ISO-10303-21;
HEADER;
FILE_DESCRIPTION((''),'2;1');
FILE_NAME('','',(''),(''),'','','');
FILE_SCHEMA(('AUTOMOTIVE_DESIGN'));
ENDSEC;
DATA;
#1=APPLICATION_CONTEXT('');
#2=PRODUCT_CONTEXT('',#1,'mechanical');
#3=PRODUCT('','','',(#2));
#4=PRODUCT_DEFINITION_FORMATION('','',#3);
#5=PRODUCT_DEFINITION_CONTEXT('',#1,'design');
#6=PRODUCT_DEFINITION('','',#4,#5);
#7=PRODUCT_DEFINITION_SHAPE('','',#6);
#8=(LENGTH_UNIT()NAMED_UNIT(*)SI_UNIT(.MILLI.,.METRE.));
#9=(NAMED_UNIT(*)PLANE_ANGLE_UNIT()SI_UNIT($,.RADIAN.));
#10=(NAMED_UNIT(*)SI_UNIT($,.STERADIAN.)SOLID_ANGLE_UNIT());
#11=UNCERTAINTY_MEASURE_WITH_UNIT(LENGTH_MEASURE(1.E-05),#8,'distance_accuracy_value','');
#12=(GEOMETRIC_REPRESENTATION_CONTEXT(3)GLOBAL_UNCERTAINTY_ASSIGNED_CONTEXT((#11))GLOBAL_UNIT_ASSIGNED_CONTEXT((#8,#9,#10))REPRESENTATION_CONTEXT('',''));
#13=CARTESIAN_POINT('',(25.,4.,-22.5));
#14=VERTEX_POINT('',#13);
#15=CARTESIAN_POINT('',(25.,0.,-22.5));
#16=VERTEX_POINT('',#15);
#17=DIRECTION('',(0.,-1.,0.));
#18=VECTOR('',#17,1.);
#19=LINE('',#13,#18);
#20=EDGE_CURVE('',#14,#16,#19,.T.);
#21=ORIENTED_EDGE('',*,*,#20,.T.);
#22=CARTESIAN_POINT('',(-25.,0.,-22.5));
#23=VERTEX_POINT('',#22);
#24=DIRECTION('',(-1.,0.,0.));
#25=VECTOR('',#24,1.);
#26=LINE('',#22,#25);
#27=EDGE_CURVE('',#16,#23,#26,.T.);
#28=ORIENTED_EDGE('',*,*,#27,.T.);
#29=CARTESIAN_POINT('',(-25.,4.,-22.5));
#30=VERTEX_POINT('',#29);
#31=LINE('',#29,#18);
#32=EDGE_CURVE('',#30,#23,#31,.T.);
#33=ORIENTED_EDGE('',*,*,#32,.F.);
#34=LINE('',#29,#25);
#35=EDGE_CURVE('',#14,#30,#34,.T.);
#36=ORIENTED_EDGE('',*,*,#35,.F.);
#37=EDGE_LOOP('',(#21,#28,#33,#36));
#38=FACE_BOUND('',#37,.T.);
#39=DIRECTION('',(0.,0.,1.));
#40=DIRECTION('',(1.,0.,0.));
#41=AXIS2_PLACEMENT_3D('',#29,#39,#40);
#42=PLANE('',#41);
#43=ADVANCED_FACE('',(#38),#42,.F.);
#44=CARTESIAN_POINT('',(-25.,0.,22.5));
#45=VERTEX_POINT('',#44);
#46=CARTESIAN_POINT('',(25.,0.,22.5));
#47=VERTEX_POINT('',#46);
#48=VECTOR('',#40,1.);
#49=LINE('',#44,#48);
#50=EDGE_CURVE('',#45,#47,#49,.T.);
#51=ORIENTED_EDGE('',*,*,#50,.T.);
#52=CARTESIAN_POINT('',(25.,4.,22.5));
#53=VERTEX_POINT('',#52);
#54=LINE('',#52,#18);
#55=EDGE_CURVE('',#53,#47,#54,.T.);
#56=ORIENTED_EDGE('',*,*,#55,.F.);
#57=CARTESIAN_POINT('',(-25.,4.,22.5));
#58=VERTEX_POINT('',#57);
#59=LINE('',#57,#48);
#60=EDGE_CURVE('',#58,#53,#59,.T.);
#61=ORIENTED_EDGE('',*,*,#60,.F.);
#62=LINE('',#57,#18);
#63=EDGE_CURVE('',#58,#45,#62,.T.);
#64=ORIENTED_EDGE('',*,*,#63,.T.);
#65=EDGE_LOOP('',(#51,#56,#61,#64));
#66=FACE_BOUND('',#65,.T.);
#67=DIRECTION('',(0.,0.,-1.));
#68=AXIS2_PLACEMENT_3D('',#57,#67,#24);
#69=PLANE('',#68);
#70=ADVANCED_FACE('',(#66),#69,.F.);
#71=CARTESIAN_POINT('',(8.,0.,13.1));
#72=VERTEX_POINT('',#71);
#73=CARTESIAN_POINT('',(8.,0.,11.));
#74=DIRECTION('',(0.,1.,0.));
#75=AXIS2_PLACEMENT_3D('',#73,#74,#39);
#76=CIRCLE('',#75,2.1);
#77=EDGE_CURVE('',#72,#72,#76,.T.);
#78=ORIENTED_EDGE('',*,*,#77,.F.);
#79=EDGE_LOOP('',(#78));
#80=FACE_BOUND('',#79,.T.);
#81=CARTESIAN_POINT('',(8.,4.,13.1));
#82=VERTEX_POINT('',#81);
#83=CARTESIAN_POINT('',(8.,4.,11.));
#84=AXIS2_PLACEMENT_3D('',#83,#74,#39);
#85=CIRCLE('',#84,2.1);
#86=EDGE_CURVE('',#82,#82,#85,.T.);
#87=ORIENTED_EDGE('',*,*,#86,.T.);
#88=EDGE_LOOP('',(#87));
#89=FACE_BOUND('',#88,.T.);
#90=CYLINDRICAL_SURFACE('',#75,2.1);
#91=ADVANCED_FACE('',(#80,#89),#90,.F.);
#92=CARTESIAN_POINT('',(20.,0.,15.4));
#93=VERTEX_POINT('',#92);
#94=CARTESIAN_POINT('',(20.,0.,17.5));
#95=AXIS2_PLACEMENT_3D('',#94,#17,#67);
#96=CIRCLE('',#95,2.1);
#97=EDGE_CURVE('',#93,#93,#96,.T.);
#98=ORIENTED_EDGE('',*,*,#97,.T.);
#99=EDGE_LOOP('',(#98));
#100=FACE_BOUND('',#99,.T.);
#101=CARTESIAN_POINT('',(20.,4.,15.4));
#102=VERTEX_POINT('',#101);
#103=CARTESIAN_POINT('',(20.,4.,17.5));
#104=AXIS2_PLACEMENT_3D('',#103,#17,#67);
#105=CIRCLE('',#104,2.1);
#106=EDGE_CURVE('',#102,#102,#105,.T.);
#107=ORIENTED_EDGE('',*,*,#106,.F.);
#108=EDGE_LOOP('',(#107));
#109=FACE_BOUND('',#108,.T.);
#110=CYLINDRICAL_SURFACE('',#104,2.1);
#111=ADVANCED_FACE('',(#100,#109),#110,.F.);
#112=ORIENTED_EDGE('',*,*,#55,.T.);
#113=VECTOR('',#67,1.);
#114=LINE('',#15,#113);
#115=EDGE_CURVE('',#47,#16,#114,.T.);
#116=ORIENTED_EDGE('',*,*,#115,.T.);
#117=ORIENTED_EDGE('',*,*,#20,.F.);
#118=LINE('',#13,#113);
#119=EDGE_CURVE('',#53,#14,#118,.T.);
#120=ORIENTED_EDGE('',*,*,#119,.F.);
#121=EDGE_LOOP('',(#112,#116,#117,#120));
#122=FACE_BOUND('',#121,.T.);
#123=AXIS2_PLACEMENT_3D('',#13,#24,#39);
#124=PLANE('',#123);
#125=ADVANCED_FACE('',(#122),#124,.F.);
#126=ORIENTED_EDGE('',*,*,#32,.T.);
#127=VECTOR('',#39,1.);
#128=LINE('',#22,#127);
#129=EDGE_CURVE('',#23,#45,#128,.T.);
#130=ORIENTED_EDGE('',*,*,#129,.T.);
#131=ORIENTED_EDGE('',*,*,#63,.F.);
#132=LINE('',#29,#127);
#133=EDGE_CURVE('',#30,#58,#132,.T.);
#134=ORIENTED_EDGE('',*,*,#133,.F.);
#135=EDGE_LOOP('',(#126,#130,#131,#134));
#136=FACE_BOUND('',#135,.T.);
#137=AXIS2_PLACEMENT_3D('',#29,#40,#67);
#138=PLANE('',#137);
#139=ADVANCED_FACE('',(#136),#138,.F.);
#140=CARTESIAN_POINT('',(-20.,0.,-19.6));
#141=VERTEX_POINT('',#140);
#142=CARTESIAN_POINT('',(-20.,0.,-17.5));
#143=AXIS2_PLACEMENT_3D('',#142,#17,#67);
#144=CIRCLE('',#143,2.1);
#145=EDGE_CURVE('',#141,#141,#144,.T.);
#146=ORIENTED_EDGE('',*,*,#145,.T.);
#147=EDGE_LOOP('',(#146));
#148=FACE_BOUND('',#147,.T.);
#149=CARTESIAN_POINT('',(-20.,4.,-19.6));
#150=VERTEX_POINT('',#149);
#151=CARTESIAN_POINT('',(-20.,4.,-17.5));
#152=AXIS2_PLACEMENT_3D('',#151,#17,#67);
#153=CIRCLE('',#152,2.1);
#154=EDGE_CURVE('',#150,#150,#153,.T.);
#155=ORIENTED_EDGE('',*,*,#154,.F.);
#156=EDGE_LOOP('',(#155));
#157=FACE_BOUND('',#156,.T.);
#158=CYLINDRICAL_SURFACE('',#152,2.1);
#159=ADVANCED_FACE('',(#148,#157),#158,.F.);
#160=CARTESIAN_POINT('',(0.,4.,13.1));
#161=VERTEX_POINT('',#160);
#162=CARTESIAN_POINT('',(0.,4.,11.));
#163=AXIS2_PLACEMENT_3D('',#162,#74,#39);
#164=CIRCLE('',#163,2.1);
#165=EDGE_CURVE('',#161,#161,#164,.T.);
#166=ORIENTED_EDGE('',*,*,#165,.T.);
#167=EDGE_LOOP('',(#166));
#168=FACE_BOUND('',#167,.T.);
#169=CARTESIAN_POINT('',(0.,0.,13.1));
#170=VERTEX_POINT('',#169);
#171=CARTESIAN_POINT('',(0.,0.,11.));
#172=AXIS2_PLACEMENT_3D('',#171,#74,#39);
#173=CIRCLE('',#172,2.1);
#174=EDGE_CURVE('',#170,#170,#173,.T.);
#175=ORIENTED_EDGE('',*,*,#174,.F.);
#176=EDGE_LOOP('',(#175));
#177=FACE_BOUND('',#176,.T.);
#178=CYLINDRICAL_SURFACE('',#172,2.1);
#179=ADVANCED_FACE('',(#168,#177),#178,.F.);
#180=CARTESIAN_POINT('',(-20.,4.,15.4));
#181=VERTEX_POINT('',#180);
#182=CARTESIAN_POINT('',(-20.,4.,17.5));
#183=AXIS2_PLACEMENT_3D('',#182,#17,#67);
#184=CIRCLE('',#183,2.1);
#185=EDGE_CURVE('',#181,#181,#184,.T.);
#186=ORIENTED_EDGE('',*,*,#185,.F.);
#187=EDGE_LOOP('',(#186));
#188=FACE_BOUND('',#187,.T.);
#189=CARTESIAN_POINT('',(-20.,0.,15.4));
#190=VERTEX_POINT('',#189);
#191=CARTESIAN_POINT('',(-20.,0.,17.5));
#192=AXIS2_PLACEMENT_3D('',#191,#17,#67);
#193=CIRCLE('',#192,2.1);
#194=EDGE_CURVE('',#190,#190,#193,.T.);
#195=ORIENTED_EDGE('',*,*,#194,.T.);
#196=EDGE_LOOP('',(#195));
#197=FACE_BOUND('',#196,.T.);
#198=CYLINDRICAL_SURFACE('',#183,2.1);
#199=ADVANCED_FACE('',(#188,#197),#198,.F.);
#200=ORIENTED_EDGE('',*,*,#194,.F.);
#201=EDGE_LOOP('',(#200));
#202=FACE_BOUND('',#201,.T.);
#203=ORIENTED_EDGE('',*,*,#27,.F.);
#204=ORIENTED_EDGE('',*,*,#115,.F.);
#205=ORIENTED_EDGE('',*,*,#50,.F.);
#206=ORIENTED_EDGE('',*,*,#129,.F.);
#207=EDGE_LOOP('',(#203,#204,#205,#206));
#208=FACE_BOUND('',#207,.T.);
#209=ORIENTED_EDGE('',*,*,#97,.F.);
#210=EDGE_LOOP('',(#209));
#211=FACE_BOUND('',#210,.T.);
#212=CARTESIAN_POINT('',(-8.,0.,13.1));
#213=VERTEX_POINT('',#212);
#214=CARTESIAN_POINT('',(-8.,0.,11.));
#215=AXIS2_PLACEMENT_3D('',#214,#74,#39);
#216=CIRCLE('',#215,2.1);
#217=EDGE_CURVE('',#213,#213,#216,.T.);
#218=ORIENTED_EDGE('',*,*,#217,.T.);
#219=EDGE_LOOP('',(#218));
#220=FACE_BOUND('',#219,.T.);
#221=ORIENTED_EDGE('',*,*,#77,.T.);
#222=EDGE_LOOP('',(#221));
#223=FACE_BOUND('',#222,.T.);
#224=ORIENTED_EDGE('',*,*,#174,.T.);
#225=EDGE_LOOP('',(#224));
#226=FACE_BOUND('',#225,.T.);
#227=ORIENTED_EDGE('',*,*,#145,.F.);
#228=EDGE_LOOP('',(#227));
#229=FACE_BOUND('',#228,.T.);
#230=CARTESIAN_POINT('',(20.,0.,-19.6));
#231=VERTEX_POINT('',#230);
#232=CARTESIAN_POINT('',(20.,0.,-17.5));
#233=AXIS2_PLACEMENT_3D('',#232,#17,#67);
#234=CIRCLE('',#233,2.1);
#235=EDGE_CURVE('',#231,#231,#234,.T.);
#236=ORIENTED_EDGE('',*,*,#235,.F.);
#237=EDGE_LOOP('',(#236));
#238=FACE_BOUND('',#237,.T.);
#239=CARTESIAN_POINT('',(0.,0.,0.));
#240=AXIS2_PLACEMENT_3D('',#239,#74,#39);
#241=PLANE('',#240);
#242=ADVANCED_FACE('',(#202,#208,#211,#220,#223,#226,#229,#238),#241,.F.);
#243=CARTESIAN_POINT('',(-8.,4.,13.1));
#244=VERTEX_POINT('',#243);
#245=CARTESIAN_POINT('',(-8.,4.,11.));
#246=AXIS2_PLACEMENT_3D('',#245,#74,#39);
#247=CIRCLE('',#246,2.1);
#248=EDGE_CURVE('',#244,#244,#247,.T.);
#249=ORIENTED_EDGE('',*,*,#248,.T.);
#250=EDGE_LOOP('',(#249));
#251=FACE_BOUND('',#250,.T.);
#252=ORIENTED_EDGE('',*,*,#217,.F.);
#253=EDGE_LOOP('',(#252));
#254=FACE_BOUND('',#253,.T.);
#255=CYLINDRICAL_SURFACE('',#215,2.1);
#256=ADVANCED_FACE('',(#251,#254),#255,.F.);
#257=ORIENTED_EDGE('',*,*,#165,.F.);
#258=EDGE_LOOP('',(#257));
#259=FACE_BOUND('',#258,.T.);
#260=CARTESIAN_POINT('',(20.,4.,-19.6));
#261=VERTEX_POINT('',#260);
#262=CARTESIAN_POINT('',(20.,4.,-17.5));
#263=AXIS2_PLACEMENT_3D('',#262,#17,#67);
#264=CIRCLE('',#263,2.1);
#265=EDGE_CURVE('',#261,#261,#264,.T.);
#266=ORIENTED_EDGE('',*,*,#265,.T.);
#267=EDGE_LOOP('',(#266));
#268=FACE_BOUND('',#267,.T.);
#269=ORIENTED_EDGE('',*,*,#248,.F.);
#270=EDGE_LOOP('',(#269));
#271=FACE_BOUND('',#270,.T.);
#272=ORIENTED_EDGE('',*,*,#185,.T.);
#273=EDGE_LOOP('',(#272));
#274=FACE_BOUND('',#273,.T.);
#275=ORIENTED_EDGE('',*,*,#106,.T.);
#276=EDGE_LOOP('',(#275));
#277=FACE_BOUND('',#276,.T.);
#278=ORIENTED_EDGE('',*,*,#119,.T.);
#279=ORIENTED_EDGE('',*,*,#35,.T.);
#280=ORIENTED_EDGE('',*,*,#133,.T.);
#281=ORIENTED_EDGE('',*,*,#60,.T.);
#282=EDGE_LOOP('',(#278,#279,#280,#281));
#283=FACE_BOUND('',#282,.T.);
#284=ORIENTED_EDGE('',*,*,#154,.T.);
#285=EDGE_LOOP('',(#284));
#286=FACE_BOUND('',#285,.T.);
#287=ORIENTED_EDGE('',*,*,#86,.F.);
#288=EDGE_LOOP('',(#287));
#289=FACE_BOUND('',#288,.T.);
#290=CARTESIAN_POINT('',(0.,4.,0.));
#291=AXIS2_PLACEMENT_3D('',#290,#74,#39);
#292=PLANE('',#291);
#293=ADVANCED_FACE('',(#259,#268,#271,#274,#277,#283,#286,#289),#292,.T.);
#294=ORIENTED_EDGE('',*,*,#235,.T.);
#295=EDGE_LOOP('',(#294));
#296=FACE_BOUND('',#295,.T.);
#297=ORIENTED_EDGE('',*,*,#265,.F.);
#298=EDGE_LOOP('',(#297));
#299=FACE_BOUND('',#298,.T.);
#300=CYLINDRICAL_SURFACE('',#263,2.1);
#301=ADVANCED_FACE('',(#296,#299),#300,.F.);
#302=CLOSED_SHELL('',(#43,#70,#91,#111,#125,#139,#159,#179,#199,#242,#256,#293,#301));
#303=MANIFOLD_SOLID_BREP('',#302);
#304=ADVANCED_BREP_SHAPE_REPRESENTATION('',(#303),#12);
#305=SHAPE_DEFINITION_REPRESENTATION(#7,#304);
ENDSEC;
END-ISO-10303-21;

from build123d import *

# Parameters (mm, degrees)
SKETCH_1_W          = 50
SKETCH_1_H          = 45
EXTRUDE_1_DEPTH     = 4
SKETCH_2_R          = 2.1
CUT_EXTRUDE_1_DEPTH = 5
SKETCH_5_R          = 2.1
CUT_EXTRUDE_4_DEPTH = 5


with BuildPart() as part:
    # 草图1 → 凸台-拉伸1 (new body)
    with BuildSketch(Plane(origin=(0, 0, 0), x_dir=(1, 0, 0), z_dir=(0, 1, 0))):
        Rectangle(SKETCH_1_W, SKETCH_1_H)
    extrude(amount=EXTRUDE_1_DEPTH)

    # 草图2 → 切除-拉伸1 (cut, through all)
    with BuildSketch(Plane(origin=(0, 4, 0), x_dir=(1, 0, 0), z_dir=(0, 1, 0))):
        with Locations((0, -11)):
            Circle(SKETCH_2_R)
        with Locations((8, -11)):
            Circle(SKETCH_2_R)
        with Locations((-8, -11)):
            Circle(SKETCH_2_R)
    extrude(amount=-CUT_EXTRUDE_1_DEPTH, mode=Mode.SUBTRACT)

    # 草图5 → 切除-拉伸4 (cut, through all)
    with BuildSketch(Plane(origin=(0, 0, 0), x_dir=(-1, 0, 0), z_dir=(0, -1, 0))):
        with Locations((20, -17.5)):
            Circle(SKETCH_5_R)
        with Locations((20, 17.5)):
            Circle(SKETCH_5_R)
        with Locations((-20, 17.5)):
            Circle(SKETCH_5_R)
        with Locations((-20, -17.5)):
            Circle(SKETCH_5_R)
    extrude(amount=-CUT_EXTRUDE_4_DEPTH, mode=Mode.SUBTRACT)


solid = part.part
